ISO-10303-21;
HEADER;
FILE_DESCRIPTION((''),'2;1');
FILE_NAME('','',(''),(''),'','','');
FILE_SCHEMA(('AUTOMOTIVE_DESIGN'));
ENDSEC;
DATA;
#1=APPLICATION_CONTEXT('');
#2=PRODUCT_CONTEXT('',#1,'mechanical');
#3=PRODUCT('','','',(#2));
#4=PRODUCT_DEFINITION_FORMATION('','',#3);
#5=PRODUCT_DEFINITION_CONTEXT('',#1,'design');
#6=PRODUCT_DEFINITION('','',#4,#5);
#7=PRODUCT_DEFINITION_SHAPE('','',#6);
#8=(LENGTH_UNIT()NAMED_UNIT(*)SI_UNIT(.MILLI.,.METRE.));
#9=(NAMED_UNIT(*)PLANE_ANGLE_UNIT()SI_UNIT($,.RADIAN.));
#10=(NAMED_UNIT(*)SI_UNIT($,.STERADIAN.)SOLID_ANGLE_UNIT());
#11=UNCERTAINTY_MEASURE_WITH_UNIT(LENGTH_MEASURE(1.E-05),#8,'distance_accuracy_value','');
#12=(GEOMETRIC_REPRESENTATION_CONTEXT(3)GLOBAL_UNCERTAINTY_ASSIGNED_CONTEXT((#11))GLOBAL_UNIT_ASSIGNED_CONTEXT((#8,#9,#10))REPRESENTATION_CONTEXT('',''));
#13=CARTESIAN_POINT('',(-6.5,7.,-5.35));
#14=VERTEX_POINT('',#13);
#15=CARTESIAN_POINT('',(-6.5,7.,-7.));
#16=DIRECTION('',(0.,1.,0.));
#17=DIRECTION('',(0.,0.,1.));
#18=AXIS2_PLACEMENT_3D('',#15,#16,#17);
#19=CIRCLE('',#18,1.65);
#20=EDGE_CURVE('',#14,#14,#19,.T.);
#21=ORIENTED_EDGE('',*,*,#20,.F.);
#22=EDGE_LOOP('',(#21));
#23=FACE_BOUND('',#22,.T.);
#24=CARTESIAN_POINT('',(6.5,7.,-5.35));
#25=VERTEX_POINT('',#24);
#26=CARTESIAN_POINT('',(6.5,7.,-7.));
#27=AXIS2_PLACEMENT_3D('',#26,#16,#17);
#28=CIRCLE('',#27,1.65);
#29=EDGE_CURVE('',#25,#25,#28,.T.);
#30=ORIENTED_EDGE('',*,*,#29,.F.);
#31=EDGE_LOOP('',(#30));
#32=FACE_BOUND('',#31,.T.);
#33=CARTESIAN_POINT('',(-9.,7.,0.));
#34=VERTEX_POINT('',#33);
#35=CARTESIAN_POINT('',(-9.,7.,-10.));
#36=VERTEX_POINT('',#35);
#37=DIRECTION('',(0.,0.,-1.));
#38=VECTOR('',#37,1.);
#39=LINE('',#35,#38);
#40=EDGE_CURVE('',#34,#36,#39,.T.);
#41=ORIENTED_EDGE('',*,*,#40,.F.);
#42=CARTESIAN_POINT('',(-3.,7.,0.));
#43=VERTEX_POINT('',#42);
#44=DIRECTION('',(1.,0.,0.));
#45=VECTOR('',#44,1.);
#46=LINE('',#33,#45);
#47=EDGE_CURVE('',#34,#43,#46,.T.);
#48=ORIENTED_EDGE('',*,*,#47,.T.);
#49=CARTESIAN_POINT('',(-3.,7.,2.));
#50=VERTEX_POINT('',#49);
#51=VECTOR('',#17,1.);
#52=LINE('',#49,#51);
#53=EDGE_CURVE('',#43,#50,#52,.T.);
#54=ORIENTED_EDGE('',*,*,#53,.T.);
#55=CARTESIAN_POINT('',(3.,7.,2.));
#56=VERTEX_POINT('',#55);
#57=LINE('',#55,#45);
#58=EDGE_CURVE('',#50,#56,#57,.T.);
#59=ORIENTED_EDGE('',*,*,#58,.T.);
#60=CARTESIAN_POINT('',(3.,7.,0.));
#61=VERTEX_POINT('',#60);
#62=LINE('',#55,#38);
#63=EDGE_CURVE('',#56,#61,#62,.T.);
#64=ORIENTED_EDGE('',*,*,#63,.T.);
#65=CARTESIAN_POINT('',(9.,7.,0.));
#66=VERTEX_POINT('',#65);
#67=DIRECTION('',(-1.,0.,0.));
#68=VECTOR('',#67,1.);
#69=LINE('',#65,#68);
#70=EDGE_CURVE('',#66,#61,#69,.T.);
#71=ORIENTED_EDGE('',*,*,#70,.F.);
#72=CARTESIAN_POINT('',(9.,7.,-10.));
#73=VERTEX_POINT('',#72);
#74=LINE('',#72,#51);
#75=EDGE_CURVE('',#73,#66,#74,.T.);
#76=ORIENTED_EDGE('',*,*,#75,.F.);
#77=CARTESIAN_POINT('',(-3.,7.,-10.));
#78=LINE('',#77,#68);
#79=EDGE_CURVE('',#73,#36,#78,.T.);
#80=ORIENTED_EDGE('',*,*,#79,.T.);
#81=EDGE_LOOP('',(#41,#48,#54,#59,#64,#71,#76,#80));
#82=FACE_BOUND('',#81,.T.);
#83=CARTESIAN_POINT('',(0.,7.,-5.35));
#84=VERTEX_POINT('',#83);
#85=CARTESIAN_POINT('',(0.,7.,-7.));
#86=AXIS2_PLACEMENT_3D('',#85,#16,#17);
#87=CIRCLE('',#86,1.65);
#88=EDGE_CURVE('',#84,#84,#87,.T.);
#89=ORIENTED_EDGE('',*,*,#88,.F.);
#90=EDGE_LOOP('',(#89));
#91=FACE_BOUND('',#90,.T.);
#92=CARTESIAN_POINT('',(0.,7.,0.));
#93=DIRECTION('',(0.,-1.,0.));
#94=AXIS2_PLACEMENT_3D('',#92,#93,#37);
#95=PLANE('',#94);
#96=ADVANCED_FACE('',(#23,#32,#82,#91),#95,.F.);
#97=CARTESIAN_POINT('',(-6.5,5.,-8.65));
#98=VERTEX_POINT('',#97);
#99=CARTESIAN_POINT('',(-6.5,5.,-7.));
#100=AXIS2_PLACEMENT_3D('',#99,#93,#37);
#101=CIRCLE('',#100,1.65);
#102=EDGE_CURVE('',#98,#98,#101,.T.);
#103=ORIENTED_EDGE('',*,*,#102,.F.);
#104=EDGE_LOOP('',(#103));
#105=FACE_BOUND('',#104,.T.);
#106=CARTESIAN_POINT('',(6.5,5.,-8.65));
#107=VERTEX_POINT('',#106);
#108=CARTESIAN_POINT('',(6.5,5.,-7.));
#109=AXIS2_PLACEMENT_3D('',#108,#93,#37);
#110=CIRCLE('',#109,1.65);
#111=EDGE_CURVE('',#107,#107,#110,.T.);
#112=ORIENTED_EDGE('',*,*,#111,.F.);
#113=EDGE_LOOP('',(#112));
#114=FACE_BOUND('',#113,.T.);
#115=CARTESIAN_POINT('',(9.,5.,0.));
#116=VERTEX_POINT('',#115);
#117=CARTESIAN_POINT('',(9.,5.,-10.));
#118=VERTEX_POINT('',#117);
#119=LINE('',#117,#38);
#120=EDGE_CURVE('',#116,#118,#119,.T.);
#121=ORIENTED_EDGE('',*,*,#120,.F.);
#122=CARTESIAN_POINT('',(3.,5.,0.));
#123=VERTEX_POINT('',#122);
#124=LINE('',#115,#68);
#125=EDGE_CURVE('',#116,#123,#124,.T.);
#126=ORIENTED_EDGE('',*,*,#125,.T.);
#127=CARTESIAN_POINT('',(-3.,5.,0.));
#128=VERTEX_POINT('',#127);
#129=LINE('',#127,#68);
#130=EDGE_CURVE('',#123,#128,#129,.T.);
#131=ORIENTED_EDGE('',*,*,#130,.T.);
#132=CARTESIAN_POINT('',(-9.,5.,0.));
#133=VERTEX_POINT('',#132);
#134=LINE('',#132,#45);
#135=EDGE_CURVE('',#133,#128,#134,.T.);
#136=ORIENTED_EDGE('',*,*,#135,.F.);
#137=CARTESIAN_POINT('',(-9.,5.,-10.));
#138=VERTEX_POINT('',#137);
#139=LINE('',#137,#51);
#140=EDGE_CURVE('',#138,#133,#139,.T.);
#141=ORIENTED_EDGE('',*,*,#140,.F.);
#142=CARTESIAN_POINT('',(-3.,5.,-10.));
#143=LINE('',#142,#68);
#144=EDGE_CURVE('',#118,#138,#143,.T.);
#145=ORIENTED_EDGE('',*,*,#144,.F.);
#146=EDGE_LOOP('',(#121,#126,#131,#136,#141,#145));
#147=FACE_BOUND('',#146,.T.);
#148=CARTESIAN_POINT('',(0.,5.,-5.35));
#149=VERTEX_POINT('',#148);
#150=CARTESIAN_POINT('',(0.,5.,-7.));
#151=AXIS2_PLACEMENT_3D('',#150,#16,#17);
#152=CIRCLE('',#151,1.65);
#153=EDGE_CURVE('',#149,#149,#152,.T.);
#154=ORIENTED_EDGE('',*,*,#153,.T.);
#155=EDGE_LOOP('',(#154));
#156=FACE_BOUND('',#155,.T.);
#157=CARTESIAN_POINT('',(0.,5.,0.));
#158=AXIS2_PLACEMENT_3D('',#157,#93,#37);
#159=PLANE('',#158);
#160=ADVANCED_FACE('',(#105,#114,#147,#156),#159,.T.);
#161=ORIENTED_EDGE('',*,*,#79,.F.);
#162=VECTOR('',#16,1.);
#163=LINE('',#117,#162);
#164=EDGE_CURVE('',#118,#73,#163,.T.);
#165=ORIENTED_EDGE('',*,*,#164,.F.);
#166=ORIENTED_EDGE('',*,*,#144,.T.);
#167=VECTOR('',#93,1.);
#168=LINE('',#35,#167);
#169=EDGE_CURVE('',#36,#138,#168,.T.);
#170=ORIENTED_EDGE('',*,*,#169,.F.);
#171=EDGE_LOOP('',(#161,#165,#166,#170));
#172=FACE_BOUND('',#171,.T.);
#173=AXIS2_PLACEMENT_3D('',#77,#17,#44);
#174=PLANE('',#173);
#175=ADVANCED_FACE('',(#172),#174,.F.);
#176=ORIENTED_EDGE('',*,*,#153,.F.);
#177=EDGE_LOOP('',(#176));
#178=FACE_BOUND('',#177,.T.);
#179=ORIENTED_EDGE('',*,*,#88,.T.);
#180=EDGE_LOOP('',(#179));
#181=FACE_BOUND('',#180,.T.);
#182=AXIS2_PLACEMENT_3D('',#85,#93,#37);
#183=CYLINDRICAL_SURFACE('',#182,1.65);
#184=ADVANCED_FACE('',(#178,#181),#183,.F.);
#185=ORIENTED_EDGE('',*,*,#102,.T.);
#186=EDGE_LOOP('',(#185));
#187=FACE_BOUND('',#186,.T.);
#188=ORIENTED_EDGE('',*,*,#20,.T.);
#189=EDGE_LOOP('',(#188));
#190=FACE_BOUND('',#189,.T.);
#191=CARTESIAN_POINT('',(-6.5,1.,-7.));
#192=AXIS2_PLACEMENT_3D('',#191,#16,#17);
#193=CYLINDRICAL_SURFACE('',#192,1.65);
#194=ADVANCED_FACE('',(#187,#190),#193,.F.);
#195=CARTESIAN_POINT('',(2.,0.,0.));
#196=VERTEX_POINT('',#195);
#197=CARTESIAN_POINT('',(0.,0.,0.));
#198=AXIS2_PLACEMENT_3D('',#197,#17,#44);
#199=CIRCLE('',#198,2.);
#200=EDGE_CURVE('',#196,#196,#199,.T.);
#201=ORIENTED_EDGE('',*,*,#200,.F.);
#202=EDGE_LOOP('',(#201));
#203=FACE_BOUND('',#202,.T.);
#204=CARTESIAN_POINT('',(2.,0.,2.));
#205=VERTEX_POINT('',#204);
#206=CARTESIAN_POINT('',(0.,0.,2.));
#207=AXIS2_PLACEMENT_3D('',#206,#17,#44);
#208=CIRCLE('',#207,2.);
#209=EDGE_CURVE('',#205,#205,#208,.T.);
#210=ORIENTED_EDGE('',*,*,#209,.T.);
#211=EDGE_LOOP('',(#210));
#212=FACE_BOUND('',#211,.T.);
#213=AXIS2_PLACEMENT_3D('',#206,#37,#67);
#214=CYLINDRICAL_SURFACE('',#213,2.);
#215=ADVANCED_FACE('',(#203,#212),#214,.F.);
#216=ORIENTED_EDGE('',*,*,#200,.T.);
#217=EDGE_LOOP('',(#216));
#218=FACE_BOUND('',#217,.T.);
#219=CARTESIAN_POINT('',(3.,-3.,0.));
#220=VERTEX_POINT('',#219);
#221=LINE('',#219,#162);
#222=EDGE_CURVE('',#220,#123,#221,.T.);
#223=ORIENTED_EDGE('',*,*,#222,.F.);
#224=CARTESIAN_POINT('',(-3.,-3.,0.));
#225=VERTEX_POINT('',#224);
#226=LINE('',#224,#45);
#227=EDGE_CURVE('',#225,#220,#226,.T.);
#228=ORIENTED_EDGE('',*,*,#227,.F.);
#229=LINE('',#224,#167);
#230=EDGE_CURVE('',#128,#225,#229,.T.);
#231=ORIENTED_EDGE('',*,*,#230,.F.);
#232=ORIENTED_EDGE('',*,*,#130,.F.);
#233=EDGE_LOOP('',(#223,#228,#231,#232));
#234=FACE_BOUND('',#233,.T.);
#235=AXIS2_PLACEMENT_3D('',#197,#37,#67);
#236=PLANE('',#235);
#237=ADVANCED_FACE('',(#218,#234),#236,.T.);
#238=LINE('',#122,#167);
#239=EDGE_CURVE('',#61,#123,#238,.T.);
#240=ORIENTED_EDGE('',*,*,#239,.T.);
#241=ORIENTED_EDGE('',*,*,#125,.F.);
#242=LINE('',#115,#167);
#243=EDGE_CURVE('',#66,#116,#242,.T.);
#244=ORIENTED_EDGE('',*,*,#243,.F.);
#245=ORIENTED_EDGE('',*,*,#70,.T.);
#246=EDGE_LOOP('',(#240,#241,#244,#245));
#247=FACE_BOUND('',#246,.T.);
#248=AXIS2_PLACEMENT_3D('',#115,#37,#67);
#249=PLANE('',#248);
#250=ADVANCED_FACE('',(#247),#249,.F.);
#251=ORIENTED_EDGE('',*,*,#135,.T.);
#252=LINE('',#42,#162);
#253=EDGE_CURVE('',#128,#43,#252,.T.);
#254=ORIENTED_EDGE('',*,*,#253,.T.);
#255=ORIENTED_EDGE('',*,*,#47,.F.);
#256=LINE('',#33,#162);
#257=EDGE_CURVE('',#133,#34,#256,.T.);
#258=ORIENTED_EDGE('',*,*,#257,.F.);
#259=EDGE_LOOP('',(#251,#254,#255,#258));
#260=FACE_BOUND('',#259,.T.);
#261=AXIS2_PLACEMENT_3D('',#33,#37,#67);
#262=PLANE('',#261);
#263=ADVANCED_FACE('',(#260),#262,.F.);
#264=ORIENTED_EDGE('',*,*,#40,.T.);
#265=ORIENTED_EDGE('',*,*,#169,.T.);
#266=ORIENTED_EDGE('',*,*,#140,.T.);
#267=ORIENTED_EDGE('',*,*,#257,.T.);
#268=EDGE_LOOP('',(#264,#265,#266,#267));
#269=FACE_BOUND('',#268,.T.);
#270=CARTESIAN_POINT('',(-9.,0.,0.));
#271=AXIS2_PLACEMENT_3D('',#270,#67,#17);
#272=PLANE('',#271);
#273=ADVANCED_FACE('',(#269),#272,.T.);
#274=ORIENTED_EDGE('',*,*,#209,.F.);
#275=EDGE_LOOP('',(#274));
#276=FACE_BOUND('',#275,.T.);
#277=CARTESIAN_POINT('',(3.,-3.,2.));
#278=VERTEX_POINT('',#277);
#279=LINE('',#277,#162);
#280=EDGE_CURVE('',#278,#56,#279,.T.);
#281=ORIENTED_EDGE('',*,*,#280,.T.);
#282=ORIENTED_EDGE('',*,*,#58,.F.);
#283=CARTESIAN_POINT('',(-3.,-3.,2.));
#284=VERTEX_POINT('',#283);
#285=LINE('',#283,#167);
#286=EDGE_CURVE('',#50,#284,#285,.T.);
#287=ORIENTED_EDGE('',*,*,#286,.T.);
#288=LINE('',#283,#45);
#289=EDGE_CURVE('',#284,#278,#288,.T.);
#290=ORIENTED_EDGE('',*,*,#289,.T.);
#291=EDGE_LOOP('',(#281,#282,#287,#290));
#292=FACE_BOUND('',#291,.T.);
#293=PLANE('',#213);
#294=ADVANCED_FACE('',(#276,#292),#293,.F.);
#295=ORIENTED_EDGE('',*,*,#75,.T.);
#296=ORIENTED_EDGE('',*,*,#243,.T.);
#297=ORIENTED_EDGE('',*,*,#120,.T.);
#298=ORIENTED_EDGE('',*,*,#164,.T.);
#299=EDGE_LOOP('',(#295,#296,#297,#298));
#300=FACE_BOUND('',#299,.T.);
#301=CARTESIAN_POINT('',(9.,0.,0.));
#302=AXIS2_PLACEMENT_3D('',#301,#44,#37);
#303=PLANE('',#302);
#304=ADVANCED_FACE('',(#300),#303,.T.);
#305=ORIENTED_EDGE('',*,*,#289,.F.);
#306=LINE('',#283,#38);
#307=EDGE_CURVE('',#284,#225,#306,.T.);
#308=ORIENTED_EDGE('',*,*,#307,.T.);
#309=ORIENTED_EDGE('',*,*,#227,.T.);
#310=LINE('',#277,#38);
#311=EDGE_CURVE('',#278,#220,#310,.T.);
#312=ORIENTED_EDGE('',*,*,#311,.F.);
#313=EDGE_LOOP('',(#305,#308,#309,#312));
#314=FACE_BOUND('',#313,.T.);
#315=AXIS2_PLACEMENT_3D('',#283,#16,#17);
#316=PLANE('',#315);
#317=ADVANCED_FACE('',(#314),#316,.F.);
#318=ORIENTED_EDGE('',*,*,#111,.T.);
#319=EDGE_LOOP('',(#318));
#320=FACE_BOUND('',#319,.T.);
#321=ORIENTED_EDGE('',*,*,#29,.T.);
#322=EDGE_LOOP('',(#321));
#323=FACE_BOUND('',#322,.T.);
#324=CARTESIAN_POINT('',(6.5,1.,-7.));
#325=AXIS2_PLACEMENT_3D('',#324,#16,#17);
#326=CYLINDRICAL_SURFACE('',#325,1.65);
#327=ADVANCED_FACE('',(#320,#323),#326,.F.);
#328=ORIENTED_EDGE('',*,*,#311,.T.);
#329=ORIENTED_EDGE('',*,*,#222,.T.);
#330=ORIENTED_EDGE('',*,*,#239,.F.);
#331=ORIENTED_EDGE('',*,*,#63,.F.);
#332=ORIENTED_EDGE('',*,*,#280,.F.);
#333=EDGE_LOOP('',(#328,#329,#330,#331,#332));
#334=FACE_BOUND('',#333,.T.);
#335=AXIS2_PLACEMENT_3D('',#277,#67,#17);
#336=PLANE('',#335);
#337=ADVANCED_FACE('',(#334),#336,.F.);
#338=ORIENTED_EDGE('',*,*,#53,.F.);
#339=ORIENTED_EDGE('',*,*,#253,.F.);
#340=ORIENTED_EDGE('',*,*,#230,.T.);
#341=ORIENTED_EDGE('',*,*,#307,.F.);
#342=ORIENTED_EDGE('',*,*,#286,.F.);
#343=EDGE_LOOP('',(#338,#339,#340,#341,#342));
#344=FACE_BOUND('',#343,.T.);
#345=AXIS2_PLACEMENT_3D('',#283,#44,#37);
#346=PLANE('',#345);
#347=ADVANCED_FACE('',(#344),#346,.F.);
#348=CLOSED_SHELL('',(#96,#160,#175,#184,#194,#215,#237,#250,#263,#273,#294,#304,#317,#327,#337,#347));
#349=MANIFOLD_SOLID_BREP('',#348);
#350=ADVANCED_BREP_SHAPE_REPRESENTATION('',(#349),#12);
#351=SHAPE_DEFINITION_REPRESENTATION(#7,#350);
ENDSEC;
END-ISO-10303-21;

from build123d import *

# Parameters (mm, degrees)
SKETCH_1_W          = 6
SKETCH_1_H          = 8
SKETCH_1_R          = 2
EXTRUDE_1_DEPTH     = 2
SKETCH_2_W          = 6
SKETCH_2_H          = 12
SKETCH_2_R          = 1.65
EXTRUDE_2_DEPTH     = 2
SKETCH_3_W          = 10
SKETCH_3_H          = 2
EXTRUDE_3_DEPTH     = 6
SKETCH_4_W          = 10
SKETCH_4_H          = 2
EXTRUDE_4_DEPTH     = 6
SKETCH_6_R          = 1.65
CUT_EXTRUDE_1_DEPTH = 6


with BuildPart() as part:
    # 草图1 → 凸台-拉伸1 (new body)
    with BuildSketch(Plane.XY):
        with Locations((0, 1)):
            Rectangle(SKETCH_1_W, SKETCH_1_H)
        Circle(SKETCH_1_R, mode=Mode.SUBTRACT)
    extrude(amount=EXTRUDE_1_DEPTH)

    # 草图2 → 凸台-拉伸2 (add)
    with BuildSketch(Plane(origin=(0, 5, 0), x_dir=(1, 0, 0), z_dir=(0, 1, 0))):
        with Locations((0, 4)):
            Rectangle(SKETCH_2_W, SKETCH_2_H)
        with Locations(Location((0, 7, 0), (0, 0, 270))):
            Circle(SKETCH_2_R, mode=Mode.SUBTRACT)
    extrude(amount=EXTRUDE_2_DEPTH)

    # 草图3 → 凸台-拉伸3 (add)
    with BuildSketch(Plane.ZY.offset(3)):
        with Locations((-5, 6)):
            Rectangle(SKETCH_3_W, SKETCH_3_H)
    extrude(amount=EXTRUDE_3_DEPTH)

    # 草图4 → 凸台-拉伸4 (add)
    with BuildSketch(Plane(origin=(3, 0, 0), x_dir=(0, 0, -1), z_dir=(1, 0, 0))):
        with Locations((5, 6)):
            Rectangle(SKETCH_4_W, SKETCH_4_H)
    extrude(amount=EXTRUDE_4_DEPTH)

    # 草图6 → 切除-拉伸1 (cut)
    with BuildSketch(Plane(origin=(0, 7, 0), x_dir=(1, 0, 0), z_dir=(0, 1, 0))):
        with Locations(Location((-6.5, 7, 0), (0, 0, 270))):
            Circle(SKETCH_6_R)
        with Locations(Location((6.5, 7, 0), (0, 0, 270))):
            Circle(SKETCH_6_R)
    extrude(amount=-CUT_EXTRUDE_1_DEPTH, mode=Mode.SUBTRACT)


solid = part.part
